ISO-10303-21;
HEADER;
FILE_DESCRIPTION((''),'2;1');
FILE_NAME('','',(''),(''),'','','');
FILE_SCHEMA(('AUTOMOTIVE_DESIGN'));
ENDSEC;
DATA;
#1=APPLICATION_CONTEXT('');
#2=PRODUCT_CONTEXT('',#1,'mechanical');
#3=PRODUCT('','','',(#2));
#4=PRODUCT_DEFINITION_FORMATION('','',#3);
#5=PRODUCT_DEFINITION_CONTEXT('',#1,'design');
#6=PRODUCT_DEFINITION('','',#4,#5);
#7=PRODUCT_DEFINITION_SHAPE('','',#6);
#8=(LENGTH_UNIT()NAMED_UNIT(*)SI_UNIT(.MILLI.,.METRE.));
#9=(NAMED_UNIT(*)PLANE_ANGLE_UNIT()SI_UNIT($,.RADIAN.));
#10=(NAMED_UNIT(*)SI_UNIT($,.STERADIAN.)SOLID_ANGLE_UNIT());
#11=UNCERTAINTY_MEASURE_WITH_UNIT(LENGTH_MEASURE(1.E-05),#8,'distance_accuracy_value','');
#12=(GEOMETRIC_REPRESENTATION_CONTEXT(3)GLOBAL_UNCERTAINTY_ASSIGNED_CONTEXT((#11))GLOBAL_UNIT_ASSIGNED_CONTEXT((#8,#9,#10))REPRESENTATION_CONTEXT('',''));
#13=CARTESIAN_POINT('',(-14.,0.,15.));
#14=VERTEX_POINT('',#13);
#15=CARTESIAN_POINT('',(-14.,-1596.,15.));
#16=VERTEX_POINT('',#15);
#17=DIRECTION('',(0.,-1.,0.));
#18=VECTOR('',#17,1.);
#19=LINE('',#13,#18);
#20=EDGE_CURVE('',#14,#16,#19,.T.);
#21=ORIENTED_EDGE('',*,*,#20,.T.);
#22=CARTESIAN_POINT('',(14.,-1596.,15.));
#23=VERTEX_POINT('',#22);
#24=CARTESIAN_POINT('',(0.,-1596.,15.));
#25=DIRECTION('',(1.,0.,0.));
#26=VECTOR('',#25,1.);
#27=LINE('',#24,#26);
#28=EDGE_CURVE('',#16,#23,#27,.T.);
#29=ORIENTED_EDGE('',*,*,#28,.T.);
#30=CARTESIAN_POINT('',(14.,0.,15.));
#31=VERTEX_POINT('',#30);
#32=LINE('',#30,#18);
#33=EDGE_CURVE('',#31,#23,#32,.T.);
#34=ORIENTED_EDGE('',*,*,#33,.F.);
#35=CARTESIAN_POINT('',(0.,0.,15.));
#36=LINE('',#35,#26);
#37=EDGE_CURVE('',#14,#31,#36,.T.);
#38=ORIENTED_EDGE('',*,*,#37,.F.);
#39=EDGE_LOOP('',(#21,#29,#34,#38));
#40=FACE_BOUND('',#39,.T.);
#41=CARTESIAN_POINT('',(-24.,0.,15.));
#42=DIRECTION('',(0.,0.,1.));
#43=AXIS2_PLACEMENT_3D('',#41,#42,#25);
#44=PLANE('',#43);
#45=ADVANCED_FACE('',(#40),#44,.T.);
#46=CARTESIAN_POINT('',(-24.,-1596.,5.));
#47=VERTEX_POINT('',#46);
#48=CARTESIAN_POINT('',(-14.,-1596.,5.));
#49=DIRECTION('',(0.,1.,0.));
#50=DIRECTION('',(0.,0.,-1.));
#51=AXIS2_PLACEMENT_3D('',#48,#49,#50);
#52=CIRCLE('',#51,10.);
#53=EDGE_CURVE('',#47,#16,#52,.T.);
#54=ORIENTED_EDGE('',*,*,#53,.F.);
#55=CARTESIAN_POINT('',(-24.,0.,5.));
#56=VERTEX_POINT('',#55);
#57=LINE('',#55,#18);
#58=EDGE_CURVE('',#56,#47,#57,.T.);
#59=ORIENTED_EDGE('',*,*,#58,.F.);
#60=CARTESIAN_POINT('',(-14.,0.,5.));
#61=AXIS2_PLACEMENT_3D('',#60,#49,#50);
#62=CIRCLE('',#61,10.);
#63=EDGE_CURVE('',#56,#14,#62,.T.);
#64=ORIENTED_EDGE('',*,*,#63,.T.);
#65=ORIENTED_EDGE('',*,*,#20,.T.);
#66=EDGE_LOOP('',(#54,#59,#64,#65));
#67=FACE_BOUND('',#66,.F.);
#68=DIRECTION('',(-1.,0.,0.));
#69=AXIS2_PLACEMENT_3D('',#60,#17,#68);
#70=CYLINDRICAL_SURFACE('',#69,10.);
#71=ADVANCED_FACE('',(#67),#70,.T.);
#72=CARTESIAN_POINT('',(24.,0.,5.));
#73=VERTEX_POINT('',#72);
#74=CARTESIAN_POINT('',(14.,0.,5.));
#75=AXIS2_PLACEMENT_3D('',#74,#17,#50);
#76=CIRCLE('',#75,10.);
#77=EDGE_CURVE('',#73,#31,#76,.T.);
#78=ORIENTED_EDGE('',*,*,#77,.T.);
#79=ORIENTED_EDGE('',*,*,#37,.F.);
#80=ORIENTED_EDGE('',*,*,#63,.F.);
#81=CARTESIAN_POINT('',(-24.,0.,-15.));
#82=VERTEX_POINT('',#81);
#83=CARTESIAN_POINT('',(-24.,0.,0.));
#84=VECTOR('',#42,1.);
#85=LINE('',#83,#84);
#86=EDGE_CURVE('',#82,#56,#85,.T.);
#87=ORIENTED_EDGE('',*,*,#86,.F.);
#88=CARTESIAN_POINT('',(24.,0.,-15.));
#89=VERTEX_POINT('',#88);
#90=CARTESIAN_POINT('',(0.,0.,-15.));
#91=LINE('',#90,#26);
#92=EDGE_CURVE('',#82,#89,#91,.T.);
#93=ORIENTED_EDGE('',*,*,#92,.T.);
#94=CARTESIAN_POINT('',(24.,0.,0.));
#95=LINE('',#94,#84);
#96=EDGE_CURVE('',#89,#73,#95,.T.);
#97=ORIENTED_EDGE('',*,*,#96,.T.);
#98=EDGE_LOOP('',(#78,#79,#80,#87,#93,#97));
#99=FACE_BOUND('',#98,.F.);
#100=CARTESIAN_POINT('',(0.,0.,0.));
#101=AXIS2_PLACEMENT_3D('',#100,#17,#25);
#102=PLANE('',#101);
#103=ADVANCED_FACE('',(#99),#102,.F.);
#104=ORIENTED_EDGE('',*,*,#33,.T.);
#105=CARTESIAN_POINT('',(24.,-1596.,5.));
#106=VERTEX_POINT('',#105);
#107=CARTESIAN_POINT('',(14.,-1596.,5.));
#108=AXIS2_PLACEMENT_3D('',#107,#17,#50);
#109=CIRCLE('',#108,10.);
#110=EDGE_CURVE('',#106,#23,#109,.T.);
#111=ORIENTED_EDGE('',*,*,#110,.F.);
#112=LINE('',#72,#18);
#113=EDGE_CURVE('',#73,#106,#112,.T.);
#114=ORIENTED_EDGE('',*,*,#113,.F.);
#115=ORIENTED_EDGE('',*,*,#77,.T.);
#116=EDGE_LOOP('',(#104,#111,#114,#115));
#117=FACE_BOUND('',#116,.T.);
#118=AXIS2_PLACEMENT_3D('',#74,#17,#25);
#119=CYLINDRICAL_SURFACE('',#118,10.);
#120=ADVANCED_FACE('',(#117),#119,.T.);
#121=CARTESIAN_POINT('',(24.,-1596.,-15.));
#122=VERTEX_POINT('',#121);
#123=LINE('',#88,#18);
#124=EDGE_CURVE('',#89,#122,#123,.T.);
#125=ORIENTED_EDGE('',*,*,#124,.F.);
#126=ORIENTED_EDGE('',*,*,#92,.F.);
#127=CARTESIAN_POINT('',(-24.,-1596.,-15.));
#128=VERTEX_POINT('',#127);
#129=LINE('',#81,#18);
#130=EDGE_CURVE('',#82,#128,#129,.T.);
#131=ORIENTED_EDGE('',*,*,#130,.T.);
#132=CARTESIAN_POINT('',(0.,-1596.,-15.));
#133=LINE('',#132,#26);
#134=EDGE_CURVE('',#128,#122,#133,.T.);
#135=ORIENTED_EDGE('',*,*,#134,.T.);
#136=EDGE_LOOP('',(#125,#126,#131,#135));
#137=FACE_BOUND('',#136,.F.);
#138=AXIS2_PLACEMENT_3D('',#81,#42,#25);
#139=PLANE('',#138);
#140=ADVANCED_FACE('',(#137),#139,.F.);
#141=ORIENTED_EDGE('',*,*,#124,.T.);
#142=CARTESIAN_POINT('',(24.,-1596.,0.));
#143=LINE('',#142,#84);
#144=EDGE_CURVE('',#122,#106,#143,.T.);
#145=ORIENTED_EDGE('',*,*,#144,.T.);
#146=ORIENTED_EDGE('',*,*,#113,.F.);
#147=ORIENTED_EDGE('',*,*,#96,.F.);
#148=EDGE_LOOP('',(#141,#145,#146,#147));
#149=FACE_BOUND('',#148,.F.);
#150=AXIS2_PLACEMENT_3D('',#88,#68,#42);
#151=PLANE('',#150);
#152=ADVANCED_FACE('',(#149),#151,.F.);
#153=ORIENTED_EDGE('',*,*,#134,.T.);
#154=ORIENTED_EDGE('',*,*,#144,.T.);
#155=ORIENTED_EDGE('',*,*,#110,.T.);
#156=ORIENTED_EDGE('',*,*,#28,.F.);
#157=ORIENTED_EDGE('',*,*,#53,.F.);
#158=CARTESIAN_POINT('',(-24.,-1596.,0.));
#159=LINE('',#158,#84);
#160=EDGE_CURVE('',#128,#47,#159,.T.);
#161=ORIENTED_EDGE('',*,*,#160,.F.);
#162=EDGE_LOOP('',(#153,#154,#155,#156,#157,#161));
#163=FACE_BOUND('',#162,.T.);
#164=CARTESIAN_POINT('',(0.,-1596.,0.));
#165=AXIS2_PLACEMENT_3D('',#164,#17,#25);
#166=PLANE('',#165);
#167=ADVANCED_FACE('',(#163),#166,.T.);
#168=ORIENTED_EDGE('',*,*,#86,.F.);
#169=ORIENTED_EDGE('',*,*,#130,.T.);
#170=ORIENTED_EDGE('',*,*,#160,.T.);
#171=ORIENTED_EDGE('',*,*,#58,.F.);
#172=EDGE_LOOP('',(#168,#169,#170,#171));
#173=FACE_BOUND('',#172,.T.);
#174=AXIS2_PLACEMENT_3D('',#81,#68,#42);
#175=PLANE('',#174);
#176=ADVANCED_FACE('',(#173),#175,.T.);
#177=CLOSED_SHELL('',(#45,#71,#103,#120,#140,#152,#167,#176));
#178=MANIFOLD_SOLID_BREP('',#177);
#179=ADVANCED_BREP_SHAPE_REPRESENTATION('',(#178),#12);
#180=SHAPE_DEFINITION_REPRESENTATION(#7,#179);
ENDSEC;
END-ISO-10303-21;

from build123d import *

# Parameters (mm, degrees)
F0_W     = 48
F0_H     = 30
F1_DEPTH = 1596
F2_R     = 10


with BuildPart() as f1:
    # F0 (on Front) → F1 (new body)
    with BuildSketch(Plane.XZ):
        Rectangle(F0_W, F0_H)
    extrude(amount=F1_DEPTH)

    # F2
    f2_edges = [f1.edges().sort_by_distance(p)[0] for p in [
        (-24, -798, 15),
        (24, -798, 15),
    ]]
    fillet(f2_edges, radius=F2_R)


solid = f1.part
